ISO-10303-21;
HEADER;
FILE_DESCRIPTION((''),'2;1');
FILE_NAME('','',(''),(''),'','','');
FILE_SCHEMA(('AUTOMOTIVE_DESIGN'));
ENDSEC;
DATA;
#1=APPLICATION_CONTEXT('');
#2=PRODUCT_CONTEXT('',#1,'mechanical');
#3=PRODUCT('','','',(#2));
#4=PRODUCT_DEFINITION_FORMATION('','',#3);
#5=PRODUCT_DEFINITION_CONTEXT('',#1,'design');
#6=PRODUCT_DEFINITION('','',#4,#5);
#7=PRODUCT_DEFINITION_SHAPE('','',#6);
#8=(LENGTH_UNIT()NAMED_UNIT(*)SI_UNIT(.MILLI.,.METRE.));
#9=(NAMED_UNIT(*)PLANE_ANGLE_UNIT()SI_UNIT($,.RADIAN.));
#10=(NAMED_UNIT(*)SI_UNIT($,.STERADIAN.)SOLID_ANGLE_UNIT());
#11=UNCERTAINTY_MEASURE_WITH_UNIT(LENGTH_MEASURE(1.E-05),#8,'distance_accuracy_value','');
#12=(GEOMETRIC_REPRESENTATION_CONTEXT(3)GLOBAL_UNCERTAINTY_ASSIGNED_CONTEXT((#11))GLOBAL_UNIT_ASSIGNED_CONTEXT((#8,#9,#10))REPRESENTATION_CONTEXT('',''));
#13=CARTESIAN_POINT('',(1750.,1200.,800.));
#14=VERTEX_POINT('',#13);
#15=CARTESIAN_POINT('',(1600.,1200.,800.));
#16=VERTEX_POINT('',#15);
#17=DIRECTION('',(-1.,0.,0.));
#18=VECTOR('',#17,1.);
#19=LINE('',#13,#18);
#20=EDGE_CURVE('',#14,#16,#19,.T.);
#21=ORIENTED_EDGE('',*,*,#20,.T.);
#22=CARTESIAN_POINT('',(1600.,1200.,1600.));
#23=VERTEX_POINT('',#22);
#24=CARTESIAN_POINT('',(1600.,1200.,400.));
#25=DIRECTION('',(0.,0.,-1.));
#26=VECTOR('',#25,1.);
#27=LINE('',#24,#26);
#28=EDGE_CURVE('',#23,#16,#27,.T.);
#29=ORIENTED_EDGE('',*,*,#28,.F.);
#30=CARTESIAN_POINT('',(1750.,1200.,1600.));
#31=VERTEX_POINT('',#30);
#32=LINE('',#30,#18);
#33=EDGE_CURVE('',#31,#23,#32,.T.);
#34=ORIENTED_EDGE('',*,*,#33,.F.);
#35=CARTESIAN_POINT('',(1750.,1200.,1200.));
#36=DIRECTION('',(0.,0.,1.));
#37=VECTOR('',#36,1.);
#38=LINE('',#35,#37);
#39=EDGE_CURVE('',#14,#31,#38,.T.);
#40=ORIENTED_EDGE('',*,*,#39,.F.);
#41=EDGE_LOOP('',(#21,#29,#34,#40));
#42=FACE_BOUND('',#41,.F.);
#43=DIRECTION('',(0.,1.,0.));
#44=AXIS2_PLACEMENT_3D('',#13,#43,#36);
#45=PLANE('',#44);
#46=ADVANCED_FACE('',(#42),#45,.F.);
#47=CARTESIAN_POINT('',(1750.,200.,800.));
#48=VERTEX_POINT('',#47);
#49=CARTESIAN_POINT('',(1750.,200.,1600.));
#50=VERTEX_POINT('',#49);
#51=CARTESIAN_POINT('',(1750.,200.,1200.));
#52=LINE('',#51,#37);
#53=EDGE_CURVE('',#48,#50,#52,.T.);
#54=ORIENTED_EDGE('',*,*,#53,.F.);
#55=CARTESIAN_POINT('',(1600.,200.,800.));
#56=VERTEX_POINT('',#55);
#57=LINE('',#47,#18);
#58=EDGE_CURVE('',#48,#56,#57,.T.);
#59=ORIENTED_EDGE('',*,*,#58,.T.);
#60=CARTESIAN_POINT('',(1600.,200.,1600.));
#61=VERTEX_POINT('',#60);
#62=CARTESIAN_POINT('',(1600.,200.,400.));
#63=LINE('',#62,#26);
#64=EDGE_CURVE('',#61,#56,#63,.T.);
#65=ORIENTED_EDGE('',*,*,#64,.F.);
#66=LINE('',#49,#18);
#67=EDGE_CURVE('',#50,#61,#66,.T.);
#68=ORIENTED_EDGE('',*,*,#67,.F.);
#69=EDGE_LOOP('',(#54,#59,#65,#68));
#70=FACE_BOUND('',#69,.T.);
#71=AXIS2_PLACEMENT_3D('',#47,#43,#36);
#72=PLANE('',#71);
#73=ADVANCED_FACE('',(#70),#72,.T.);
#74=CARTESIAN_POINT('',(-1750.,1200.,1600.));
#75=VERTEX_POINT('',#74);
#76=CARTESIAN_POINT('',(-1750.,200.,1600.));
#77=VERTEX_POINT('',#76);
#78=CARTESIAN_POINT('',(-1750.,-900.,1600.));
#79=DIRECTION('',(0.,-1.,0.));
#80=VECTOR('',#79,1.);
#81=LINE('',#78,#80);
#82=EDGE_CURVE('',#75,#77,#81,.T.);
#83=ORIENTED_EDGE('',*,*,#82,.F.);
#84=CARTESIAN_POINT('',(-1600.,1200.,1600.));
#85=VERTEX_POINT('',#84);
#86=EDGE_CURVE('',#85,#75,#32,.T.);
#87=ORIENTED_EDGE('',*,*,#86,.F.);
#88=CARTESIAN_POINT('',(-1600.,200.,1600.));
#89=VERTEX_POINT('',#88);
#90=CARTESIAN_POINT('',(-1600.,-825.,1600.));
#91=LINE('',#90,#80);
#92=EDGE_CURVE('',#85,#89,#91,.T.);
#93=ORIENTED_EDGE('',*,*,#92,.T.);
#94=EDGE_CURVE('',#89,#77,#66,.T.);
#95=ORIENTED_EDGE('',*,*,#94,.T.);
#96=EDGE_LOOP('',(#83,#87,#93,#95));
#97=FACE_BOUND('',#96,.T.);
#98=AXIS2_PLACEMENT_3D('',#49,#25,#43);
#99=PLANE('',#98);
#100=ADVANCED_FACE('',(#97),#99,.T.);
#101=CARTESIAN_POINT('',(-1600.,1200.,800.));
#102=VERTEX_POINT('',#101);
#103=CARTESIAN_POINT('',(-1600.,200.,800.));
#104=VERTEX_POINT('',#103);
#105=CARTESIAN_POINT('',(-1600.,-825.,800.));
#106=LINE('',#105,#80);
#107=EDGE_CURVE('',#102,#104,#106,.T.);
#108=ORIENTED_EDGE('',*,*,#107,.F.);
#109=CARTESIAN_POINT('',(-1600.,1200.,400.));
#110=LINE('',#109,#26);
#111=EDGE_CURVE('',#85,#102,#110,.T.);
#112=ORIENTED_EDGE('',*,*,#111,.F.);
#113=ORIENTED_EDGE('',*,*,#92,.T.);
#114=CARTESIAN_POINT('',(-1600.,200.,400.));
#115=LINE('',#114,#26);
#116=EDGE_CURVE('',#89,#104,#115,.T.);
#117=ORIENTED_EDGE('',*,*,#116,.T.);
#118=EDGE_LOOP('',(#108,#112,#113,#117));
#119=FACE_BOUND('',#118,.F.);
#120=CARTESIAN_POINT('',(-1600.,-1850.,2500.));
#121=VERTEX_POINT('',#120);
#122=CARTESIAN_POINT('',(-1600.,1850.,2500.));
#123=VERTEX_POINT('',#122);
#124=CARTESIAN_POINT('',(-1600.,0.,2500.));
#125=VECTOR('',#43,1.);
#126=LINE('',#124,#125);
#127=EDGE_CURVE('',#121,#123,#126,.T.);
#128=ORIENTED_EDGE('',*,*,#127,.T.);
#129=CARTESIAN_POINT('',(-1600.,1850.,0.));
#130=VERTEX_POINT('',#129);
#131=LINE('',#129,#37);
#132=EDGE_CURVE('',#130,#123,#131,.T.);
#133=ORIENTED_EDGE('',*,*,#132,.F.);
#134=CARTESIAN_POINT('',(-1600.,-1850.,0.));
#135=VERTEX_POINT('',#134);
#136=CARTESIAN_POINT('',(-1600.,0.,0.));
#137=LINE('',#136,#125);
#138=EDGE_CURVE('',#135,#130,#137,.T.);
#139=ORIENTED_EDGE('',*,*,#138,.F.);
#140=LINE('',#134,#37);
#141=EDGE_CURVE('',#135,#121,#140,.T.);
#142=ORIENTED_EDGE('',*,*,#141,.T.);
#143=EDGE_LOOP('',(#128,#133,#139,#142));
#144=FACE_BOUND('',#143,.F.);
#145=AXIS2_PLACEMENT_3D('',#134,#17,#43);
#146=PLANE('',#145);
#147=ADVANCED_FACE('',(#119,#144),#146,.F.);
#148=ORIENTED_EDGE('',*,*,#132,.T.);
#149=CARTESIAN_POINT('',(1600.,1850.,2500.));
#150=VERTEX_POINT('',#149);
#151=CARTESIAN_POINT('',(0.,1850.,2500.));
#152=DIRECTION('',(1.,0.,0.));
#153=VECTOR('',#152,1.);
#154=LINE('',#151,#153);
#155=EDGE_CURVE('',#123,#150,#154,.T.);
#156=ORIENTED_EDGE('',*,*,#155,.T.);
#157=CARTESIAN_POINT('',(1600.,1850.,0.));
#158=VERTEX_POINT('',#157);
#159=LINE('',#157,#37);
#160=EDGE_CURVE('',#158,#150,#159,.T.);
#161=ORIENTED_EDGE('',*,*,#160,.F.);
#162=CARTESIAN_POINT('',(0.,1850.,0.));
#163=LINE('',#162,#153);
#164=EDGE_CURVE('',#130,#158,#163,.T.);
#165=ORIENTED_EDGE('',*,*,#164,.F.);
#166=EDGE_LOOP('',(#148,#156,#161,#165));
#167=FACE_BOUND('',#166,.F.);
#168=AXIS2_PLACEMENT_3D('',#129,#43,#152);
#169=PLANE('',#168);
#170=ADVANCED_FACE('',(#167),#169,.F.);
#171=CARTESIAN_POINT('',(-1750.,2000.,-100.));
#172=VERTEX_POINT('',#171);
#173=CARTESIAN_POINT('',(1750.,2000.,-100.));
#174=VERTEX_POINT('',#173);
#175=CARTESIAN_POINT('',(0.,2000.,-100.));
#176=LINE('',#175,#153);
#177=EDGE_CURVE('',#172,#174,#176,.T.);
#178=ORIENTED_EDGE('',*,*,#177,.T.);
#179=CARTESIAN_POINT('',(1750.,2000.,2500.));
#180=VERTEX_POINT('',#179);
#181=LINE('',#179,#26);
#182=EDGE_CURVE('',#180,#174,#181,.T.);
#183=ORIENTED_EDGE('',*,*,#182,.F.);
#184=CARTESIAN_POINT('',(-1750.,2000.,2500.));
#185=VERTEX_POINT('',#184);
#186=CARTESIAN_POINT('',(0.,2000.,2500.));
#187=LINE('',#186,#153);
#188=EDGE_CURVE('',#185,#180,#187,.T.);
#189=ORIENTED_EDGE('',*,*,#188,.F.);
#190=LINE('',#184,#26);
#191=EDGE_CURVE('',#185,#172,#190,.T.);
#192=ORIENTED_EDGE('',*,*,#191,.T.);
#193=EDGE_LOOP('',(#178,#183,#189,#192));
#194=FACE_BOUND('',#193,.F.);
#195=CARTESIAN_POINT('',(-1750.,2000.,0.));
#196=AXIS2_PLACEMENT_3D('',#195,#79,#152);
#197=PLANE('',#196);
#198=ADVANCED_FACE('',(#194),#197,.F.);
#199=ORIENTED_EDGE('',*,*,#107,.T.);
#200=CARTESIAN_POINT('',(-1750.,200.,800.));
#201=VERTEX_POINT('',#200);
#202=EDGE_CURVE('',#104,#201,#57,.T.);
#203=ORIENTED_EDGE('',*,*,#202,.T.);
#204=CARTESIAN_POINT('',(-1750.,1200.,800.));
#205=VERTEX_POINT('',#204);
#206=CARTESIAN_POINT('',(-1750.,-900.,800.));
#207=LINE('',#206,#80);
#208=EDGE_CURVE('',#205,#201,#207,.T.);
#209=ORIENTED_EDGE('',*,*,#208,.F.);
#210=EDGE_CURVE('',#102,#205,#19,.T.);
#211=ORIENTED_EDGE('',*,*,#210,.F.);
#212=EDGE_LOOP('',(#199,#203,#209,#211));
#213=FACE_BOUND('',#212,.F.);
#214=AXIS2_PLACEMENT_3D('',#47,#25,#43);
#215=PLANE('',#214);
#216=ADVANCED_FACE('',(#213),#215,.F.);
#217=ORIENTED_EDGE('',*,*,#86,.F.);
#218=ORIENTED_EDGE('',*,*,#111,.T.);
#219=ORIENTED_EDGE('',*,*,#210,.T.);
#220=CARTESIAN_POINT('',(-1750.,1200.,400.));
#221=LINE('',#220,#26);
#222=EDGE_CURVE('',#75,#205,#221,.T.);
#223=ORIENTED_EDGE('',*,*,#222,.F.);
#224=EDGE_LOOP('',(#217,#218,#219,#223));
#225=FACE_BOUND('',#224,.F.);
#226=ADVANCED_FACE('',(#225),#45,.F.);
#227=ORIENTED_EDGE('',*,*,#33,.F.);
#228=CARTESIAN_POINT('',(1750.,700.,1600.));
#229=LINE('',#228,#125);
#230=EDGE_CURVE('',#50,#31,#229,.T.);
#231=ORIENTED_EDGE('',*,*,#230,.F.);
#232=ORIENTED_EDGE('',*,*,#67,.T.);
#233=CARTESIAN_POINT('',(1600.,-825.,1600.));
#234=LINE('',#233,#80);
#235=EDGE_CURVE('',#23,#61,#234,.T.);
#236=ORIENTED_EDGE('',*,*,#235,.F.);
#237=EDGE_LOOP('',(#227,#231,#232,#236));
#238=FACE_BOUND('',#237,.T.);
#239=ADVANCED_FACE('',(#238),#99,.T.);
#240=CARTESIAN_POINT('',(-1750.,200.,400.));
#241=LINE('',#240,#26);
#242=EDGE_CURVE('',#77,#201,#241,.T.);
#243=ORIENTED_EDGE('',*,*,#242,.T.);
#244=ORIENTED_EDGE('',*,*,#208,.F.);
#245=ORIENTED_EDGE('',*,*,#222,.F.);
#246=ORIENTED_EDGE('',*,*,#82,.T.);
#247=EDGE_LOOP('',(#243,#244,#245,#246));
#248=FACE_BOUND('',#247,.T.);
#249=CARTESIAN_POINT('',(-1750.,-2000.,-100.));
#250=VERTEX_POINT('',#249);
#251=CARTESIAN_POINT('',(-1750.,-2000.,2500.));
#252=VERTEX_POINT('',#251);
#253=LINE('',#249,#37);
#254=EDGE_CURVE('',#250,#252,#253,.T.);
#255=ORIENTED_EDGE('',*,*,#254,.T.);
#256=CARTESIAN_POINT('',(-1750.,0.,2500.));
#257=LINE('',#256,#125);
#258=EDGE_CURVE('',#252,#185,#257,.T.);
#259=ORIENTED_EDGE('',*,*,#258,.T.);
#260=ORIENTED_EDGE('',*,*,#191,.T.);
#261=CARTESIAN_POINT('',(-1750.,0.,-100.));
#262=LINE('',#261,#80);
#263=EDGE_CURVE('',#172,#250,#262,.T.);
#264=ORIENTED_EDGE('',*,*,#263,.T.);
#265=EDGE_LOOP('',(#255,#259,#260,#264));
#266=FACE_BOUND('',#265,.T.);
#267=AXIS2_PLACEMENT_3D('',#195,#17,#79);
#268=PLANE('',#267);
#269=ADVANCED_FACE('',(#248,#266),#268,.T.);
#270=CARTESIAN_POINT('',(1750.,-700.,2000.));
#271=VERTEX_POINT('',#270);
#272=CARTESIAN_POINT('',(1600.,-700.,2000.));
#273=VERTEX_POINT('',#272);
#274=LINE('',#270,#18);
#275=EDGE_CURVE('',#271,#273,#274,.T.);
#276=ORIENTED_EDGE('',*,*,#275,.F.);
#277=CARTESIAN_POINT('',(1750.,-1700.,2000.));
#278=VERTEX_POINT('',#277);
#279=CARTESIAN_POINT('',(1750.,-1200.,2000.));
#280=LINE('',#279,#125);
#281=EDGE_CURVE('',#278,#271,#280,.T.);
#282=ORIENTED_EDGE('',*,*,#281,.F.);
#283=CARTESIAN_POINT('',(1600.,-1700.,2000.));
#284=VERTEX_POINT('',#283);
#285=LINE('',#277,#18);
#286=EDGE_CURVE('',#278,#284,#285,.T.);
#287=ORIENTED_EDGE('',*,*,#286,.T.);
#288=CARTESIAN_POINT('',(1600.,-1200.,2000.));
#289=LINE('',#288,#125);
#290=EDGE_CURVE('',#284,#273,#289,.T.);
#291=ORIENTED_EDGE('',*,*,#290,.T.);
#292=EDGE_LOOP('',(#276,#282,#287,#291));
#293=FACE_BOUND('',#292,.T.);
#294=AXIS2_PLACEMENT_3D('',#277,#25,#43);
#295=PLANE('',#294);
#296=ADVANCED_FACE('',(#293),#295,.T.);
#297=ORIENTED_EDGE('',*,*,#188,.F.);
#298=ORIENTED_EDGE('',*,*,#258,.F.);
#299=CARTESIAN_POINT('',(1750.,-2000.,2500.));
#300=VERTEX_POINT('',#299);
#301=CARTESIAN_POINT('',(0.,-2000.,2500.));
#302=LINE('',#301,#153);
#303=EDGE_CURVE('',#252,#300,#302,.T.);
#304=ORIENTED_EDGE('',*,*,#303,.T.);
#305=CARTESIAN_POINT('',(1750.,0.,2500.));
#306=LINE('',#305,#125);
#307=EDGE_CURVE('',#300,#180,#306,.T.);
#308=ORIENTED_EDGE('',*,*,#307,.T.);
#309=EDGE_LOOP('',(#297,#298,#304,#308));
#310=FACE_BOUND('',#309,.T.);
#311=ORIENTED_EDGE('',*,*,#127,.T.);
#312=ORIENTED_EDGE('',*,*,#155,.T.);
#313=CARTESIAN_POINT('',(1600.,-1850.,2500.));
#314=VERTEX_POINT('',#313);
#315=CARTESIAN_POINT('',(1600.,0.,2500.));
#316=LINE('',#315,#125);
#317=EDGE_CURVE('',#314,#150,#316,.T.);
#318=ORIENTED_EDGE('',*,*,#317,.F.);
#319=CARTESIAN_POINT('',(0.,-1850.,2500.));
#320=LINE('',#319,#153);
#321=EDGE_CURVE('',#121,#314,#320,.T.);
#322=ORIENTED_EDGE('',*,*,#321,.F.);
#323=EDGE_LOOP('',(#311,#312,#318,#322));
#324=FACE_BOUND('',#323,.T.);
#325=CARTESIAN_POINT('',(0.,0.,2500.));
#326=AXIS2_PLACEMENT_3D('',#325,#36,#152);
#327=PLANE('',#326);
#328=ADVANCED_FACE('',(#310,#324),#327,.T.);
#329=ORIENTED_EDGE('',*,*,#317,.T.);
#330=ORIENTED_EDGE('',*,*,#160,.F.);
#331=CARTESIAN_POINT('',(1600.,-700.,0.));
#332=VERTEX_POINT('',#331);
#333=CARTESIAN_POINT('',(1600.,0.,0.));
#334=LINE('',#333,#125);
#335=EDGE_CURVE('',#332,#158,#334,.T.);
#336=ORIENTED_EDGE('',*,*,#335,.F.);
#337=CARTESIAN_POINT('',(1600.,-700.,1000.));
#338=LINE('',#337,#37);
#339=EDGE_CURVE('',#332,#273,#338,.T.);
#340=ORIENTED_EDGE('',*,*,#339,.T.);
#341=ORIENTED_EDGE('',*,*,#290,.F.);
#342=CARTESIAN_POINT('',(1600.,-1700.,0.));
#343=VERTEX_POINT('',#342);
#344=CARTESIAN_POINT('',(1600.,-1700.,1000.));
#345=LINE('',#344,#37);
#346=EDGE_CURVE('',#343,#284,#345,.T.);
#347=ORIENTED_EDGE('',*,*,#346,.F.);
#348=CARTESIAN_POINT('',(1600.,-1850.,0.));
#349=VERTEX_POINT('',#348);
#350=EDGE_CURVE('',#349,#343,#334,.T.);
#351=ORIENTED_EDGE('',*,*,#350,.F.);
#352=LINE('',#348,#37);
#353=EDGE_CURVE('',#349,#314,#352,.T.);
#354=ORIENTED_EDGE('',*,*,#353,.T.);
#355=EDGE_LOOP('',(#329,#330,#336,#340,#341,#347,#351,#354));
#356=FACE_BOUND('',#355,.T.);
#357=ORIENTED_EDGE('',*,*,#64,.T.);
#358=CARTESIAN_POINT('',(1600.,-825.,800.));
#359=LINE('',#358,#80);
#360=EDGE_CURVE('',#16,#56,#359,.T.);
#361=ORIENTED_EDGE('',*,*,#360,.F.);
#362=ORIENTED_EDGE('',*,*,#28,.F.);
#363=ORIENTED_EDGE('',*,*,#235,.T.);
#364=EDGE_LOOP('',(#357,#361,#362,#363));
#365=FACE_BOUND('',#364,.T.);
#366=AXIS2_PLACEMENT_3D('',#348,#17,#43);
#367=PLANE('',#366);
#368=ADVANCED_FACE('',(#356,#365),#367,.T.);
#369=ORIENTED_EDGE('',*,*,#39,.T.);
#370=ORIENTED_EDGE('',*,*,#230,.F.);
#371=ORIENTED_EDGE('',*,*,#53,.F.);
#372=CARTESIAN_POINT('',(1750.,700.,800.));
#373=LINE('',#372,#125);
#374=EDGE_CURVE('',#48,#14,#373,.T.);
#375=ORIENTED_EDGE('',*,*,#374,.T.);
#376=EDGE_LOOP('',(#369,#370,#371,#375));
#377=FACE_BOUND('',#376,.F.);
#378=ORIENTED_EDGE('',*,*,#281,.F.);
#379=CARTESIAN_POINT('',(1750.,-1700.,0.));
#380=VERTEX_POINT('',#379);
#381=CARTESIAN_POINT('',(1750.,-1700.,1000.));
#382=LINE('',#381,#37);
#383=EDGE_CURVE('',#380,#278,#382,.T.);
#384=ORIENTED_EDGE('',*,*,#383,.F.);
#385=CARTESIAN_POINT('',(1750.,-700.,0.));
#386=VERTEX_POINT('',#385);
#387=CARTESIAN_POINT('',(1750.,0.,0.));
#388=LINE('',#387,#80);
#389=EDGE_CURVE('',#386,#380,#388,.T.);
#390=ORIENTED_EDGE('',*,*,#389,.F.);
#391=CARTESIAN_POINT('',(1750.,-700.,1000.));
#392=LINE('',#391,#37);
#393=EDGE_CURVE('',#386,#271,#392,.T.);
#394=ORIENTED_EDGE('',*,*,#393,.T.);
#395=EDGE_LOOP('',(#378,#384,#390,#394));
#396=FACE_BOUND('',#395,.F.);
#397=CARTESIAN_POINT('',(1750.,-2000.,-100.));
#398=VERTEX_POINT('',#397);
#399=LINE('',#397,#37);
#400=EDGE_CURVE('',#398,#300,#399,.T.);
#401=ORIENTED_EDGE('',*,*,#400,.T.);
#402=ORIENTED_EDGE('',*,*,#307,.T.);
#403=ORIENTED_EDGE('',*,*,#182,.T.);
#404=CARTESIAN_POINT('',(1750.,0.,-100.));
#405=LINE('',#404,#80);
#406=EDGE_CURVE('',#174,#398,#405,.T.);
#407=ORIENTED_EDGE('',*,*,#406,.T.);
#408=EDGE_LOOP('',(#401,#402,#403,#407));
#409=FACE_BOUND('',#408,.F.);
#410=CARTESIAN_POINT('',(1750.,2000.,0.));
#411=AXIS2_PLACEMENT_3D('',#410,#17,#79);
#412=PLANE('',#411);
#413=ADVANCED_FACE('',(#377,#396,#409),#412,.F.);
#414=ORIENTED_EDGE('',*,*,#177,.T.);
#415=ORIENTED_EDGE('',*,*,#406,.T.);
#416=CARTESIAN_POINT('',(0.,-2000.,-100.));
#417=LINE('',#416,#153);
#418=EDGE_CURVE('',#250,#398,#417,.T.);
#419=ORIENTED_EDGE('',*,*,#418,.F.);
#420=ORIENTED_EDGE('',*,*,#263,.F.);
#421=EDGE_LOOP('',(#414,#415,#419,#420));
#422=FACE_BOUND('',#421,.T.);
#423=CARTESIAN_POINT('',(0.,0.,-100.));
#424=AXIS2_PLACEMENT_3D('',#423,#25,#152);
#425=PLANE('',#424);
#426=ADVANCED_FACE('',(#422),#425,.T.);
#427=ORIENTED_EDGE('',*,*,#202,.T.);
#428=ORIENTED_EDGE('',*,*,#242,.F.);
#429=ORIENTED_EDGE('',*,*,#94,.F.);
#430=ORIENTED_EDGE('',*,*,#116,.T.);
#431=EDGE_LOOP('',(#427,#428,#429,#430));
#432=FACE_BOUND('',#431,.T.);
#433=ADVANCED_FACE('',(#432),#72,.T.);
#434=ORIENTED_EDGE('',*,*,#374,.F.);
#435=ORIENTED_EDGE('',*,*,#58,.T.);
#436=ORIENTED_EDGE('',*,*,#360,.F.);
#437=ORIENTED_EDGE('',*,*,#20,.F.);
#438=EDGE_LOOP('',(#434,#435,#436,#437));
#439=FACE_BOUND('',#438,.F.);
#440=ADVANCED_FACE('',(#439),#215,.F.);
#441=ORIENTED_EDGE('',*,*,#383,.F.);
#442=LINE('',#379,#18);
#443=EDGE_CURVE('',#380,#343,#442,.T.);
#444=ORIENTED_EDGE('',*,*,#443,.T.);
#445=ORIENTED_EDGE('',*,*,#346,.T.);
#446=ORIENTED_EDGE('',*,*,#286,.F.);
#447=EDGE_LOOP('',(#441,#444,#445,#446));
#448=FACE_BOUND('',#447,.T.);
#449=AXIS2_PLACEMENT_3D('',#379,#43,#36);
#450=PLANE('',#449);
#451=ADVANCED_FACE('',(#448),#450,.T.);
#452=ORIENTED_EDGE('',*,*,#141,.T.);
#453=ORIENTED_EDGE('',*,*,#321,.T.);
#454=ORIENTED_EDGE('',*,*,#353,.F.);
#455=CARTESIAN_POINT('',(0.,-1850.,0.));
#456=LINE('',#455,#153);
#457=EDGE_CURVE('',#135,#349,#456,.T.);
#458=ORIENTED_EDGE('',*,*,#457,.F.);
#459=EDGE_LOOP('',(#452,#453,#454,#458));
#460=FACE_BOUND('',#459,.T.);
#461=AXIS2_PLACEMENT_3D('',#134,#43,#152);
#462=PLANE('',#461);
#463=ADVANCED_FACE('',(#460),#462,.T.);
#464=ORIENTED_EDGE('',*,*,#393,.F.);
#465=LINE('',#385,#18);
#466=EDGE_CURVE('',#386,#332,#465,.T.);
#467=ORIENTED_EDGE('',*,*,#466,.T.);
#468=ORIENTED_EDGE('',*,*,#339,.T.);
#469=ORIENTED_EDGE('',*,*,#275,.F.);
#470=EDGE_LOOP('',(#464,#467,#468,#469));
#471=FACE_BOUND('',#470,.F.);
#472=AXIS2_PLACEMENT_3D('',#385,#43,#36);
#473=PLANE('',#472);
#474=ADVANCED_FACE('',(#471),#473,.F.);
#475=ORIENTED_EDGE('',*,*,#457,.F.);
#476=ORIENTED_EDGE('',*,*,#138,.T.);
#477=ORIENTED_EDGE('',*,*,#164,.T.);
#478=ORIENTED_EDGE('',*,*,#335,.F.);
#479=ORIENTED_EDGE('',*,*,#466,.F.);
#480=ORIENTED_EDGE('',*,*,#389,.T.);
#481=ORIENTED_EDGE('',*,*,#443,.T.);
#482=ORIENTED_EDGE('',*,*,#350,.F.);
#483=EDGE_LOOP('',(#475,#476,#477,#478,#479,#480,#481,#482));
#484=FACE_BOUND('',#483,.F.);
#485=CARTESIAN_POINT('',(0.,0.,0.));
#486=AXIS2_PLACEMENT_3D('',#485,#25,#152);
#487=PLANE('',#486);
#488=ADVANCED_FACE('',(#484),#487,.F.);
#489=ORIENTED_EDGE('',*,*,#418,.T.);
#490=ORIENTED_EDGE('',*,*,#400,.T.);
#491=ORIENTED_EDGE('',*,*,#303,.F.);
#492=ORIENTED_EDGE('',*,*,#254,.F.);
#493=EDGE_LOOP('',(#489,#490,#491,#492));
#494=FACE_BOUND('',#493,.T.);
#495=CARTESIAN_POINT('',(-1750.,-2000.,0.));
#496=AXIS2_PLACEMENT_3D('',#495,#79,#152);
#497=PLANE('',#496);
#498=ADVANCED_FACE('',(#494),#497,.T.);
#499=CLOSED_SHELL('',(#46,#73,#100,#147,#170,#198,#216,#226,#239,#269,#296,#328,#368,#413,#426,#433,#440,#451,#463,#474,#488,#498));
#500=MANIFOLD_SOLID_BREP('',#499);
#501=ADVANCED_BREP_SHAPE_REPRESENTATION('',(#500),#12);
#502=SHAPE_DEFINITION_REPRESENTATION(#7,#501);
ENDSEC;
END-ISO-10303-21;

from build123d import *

# Parameters (mm, degrees)
F0_W     = 3500
F0_H     = 4000
F0_W_2   = 3200
F0_H_2   = 3700
F1_DEPTH = 2500
F2_W     = 1000
F2_H     = 2000
F3_DEPTH = 150
F4_W     = 1000
F4_H     = 800
F5_DEPTH = 3500.001
F6_W     = 3500
F6_H     = 4000
F7_DEPTH = 100


with BuildPart() as f1:
    # F0 (on Top) → F1 (new body)
    with BuildSketch(Plane.XY):
        Rectangle(F0_W, F0_H)
        Rectangle(F0_W_2, F0_H_2, mode=Mode.SUBTRACT)
    extrude(amount=F1_DEPTH)

    # F2 (on face) → F3 (cut, through all)
    with BuildSketch(Plane.YZ.offset(1750)):
        with Locations((-1200, 1000)):
            Rectangle(F2_W, F2_H)
    extrude(amount=-F3_DEPTH, mode=Mode.SUBTRACT)

    # F4 (on face) → F5 (cut, through all)
    with BuildSketch(Plane.YZ.offset(1750)):
        with Locations((700, 1200)):
            Rectangle(F4_W, F4_H)
    extrude(amount=-F5_DEPTH, mode=Mode.SUBTRACT)

    # F6 (on face) → F7 (join)
    with BuildSketch(Plane(origin=(0, 0, 0), x_dir=(1, 0, 0), z_dir=(0, 0, -1))):
        Rectangle(F6_W, F6_H)
    extrude(amount=F7_DEPTH)


solid = f1.part
